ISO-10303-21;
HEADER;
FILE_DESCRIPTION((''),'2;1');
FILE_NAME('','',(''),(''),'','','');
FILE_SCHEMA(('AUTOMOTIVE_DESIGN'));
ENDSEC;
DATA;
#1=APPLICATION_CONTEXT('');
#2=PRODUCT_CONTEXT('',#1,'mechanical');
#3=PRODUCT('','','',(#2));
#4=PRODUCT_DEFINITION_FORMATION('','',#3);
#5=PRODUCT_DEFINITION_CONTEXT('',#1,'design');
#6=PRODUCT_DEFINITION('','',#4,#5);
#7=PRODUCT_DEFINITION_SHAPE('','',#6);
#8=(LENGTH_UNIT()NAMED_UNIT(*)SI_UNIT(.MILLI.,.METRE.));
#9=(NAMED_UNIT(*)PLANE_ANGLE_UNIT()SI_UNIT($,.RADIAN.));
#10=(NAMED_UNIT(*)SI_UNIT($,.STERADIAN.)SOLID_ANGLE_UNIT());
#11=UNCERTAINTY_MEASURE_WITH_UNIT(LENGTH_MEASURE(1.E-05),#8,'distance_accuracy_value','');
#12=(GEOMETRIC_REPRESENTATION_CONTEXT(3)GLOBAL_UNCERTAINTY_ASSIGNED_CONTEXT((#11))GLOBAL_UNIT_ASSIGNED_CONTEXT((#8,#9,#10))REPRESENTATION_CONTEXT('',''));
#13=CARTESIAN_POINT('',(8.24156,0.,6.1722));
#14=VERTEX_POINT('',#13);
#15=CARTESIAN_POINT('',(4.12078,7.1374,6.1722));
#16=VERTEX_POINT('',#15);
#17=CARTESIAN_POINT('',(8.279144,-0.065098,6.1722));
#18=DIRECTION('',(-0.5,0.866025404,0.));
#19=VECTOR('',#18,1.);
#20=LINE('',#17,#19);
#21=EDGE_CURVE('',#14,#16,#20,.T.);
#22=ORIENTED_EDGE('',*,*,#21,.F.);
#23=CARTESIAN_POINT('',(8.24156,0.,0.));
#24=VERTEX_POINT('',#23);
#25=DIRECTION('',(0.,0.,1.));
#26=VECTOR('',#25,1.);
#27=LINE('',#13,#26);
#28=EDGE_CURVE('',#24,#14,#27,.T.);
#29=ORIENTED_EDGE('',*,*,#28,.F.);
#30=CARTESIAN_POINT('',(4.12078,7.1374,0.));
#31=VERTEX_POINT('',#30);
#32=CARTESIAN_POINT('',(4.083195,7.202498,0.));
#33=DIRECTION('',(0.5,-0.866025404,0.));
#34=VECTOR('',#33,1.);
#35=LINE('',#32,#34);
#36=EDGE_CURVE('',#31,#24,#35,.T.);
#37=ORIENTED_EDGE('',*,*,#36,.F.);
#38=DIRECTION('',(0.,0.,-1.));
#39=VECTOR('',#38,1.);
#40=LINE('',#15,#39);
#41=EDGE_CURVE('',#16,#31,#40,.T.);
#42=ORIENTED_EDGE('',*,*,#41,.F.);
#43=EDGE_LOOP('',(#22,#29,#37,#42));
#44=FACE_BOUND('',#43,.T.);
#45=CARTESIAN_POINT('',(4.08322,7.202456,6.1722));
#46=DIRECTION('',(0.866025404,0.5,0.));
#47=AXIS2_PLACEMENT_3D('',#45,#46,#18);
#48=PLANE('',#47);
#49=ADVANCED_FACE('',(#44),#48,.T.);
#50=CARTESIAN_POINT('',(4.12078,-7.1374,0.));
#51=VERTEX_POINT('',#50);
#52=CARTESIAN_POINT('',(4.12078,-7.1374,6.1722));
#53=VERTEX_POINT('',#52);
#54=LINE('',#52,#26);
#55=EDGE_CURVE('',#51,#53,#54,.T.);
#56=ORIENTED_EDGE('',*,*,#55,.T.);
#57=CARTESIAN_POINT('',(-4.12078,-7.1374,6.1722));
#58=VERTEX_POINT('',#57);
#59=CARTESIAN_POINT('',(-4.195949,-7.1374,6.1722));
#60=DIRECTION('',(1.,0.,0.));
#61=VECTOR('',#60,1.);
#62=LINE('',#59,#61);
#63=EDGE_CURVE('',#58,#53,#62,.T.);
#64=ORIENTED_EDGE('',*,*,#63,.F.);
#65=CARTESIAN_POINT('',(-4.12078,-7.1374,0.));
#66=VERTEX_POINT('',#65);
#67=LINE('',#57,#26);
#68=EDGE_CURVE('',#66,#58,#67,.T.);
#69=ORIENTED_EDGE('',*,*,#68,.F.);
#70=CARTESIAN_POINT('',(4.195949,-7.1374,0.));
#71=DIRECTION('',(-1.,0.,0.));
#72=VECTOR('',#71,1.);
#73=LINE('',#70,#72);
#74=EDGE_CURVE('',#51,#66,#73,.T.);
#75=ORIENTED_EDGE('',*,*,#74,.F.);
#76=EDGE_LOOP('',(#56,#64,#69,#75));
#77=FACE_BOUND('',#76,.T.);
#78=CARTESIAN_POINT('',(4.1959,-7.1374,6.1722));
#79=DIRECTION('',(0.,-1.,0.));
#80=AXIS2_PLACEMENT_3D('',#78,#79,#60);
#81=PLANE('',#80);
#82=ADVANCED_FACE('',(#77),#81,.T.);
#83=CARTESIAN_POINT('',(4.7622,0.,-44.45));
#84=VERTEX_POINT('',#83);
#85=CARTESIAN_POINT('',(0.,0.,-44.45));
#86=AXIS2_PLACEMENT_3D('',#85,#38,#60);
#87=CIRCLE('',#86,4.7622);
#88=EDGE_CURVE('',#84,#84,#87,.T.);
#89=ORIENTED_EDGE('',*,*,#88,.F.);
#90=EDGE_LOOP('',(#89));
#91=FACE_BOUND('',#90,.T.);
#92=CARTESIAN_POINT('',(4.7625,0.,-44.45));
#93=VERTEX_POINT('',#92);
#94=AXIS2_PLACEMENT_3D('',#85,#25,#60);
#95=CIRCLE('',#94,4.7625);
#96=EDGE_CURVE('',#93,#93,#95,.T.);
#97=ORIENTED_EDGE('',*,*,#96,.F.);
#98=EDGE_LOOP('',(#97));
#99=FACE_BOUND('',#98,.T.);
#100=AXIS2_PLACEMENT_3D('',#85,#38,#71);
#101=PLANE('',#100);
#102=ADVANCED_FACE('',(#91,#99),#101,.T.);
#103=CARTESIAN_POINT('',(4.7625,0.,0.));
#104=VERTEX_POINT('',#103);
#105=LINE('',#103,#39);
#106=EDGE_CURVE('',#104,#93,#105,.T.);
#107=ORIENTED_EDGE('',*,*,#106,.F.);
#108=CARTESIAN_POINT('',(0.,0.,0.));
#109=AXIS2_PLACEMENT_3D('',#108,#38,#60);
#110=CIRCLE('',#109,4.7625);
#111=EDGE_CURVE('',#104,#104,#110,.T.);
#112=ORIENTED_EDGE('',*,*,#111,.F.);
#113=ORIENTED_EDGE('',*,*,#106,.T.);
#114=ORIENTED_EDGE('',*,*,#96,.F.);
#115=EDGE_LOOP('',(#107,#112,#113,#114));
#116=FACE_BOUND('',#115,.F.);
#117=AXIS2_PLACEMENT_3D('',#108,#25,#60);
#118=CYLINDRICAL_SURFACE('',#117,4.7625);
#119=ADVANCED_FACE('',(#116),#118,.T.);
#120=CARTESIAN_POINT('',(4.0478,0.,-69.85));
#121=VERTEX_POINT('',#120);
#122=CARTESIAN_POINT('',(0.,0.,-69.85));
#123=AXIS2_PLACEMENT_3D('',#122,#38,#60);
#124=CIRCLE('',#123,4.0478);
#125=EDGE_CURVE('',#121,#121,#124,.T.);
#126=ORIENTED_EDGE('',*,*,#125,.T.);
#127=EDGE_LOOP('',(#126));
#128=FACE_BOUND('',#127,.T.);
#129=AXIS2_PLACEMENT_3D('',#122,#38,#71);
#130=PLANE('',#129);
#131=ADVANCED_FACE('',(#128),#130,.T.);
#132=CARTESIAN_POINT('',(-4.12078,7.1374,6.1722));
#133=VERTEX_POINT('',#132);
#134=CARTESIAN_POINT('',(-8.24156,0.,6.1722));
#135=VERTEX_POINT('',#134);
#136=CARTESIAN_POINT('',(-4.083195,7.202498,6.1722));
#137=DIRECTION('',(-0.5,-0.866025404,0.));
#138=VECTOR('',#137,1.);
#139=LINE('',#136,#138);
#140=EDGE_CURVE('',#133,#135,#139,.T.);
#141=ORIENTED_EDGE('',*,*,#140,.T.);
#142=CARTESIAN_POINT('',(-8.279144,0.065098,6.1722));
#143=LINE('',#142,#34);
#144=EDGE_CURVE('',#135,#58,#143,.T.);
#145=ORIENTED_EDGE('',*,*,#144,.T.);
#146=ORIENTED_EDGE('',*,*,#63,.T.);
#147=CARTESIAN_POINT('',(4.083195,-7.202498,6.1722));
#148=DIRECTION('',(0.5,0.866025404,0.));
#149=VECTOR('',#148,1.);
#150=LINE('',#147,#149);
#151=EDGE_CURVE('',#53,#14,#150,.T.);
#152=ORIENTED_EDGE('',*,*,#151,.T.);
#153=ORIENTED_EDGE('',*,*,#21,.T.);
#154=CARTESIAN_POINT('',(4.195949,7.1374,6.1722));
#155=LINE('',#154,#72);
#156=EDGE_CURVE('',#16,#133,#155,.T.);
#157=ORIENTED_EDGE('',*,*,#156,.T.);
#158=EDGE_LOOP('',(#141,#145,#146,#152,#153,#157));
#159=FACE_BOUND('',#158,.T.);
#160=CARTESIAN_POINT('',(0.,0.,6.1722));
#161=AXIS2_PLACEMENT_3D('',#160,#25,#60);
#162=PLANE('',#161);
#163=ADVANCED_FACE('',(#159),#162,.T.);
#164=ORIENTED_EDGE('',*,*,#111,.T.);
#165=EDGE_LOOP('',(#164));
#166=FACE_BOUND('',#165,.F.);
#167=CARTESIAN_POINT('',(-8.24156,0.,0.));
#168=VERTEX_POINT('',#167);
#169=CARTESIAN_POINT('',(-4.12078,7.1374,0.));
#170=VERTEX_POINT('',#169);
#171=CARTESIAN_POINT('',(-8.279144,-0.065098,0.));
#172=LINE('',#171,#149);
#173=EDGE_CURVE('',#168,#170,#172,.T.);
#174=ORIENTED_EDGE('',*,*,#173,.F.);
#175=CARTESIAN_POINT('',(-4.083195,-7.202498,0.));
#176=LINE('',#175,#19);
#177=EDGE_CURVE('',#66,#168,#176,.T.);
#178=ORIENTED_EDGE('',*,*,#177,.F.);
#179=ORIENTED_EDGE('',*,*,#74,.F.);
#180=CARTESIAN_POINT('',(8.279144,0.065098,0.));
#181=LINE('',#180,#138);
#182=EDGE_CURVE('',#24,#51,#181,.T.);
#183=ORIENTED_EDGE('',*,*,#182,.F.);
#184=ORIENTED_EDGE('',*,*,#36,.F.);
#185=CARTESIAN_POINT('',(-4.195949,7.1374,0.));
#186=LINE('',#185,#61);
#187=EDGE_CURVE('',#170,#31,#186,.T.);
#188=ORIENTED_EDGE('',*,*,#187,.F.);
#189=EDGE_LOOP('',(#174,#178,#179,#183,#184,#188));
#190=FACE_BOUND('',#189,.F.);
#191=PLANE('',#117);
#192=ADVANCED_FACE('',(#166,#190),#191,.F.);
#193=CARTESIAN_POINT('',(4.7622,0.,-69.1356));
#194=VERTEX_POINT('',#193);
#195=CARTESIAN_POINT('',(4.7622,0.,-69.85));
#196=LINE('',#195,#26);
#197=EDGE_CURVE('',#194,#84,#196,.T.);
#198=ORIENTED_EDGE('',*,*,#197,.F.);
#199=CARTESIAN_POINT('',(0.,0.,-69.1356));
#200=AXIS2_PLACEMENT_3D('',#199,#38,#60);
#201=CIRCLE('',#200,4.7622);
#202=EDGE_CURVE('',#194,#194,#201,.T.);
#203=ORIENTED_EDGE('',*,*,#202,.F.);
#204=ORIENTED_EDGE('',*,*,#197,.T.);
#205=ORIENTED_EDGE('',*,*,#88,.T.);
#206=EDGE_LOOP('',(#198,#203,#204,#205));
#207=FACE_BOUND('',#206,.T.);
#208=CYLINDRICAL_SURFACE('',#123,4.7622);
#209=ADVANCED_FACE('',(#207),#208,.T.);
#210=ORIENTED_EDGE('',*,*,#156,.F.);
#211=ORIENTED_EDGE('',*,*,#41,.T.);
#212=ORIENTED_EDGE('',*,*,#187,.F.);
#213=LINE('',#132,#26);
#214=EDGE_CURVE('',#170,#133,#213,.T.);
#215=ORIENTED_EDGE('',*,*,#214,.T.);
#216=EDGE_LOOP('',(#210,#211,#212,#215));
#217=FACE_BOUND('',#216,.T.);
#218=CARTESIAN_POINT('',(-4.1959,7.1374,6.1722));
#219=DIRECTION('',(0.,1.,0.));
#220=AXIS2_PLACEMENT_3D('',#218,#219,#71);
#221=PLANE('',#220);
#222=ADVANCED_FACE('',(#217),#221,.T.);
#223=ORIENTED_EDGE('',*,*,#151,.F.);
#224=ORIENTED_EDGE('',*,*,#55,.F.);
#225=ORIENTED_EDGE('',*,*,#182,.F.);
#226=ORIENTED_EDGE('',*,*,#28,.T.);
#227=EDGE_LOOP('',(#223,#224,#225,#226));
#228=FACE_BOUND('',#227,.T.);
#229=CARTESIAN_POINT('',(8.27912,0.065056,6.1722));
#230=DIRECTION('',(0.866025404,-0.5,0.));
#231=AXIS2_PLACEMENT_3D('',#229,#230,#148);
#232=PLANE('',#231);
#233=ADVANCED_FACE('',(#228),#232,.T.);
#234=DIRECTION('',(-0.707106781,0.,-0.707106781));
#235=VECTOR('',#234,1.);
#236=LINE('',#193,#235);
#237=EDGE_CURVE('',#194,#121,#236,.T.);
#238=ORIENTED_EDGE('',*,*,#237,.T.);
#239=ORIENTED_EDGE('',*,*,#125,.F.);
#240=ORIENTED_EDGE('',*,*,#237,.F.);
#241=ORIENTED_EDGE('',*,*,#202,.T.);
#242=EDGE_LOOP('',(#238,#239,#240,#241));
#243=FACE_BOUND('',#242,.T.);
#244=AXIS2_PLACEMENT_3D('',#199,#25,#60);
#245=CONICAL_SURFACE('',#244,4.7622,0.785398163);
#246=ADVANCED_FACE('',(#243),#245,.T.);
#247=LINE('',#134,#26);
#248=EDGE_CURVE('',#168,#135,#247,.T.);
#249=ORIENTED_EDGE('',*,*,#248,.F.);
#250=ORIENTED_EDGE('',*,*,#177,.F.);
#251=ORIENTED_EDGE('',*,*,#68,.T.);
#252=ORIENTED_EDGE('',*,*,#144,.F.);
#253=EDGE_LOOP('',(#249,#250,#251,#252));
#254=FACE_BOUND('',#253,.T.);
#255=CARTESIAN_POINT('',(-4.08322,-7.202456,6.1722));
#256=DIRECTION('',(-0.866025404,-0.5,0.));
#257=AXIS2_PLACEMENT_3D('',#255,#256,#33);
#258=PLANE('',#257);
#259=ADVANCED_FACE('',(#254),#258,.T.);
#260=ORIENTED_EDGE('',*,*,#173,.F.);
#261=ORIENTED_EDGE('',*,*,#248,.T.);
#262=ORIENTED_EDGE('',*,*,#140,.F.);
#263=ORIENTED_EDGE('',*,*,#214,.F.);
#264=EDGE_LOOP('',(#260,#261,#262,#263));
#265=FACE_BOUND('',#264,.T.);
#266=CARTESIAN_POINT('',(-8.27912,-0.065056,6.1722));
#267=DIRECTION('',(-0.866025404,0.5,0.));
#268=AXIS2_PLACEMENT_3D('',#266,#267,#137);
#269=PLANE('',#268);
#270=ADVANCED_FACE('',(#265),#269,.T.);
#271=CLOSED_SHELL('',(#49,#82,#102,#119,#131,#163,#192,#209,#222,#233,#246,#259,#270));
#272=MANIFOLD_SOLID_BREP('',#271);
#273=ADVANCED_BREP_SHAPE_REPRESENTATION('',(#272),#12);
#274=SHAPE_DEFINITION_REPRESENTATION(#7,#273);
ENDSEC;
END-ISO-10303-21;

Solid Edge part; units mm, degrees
sketch "Sketch1" plane through (0, 0, 0) normal (0, 0, 1) x (1, 0, 0)
  circle A0 centre (0, 0) radius 8.2794
  dimension "D1" = 16.5588
extrude "Protrusion1" add sketch "Sketch1" along normal blind 6.1722
sketch "Sketch2" plane through (0, 0, 0) normal (0, 0, -1) x (1, 0, 0)
  circle A0 centre (0, 0) radius 4.7625
extrude "Protrusion2" add sketch "Sketch2" along normal blind 69.85
sketch "Sketch3" plane through (0, 0, -69.85) normal (0, 0, -1) x (1, 0, 0)
  circle A0 centre (0, 0) radius 4.7622
extrude "Cutout1" cut sketch "Sketch3" against normal blind 25.4 flip side to cut
chamfer "Chamfer_1" distance 0.7144 angle 45 1 edges at (-4.7622, 0, -69.85)
sketch "Sketch4" plane through (0, 0, 6.1722) normal (0, 0, 1) x (1, 0, 0)
  line L0 (-4.1959, 7.1374) -> (4.1959, 7.1374)
  dimension "D1" = 14.2748
extrude "Cutout2" cut sketch "Sketch4" against normal up to next material side at (0, 7.1874, 6.1722)
pattern_circular "Pattern1" count 6 over 360 about axis through (0, 0, 6.1722) along (0, 0, 1) of "Cutout2"
properties part number "24100084"
